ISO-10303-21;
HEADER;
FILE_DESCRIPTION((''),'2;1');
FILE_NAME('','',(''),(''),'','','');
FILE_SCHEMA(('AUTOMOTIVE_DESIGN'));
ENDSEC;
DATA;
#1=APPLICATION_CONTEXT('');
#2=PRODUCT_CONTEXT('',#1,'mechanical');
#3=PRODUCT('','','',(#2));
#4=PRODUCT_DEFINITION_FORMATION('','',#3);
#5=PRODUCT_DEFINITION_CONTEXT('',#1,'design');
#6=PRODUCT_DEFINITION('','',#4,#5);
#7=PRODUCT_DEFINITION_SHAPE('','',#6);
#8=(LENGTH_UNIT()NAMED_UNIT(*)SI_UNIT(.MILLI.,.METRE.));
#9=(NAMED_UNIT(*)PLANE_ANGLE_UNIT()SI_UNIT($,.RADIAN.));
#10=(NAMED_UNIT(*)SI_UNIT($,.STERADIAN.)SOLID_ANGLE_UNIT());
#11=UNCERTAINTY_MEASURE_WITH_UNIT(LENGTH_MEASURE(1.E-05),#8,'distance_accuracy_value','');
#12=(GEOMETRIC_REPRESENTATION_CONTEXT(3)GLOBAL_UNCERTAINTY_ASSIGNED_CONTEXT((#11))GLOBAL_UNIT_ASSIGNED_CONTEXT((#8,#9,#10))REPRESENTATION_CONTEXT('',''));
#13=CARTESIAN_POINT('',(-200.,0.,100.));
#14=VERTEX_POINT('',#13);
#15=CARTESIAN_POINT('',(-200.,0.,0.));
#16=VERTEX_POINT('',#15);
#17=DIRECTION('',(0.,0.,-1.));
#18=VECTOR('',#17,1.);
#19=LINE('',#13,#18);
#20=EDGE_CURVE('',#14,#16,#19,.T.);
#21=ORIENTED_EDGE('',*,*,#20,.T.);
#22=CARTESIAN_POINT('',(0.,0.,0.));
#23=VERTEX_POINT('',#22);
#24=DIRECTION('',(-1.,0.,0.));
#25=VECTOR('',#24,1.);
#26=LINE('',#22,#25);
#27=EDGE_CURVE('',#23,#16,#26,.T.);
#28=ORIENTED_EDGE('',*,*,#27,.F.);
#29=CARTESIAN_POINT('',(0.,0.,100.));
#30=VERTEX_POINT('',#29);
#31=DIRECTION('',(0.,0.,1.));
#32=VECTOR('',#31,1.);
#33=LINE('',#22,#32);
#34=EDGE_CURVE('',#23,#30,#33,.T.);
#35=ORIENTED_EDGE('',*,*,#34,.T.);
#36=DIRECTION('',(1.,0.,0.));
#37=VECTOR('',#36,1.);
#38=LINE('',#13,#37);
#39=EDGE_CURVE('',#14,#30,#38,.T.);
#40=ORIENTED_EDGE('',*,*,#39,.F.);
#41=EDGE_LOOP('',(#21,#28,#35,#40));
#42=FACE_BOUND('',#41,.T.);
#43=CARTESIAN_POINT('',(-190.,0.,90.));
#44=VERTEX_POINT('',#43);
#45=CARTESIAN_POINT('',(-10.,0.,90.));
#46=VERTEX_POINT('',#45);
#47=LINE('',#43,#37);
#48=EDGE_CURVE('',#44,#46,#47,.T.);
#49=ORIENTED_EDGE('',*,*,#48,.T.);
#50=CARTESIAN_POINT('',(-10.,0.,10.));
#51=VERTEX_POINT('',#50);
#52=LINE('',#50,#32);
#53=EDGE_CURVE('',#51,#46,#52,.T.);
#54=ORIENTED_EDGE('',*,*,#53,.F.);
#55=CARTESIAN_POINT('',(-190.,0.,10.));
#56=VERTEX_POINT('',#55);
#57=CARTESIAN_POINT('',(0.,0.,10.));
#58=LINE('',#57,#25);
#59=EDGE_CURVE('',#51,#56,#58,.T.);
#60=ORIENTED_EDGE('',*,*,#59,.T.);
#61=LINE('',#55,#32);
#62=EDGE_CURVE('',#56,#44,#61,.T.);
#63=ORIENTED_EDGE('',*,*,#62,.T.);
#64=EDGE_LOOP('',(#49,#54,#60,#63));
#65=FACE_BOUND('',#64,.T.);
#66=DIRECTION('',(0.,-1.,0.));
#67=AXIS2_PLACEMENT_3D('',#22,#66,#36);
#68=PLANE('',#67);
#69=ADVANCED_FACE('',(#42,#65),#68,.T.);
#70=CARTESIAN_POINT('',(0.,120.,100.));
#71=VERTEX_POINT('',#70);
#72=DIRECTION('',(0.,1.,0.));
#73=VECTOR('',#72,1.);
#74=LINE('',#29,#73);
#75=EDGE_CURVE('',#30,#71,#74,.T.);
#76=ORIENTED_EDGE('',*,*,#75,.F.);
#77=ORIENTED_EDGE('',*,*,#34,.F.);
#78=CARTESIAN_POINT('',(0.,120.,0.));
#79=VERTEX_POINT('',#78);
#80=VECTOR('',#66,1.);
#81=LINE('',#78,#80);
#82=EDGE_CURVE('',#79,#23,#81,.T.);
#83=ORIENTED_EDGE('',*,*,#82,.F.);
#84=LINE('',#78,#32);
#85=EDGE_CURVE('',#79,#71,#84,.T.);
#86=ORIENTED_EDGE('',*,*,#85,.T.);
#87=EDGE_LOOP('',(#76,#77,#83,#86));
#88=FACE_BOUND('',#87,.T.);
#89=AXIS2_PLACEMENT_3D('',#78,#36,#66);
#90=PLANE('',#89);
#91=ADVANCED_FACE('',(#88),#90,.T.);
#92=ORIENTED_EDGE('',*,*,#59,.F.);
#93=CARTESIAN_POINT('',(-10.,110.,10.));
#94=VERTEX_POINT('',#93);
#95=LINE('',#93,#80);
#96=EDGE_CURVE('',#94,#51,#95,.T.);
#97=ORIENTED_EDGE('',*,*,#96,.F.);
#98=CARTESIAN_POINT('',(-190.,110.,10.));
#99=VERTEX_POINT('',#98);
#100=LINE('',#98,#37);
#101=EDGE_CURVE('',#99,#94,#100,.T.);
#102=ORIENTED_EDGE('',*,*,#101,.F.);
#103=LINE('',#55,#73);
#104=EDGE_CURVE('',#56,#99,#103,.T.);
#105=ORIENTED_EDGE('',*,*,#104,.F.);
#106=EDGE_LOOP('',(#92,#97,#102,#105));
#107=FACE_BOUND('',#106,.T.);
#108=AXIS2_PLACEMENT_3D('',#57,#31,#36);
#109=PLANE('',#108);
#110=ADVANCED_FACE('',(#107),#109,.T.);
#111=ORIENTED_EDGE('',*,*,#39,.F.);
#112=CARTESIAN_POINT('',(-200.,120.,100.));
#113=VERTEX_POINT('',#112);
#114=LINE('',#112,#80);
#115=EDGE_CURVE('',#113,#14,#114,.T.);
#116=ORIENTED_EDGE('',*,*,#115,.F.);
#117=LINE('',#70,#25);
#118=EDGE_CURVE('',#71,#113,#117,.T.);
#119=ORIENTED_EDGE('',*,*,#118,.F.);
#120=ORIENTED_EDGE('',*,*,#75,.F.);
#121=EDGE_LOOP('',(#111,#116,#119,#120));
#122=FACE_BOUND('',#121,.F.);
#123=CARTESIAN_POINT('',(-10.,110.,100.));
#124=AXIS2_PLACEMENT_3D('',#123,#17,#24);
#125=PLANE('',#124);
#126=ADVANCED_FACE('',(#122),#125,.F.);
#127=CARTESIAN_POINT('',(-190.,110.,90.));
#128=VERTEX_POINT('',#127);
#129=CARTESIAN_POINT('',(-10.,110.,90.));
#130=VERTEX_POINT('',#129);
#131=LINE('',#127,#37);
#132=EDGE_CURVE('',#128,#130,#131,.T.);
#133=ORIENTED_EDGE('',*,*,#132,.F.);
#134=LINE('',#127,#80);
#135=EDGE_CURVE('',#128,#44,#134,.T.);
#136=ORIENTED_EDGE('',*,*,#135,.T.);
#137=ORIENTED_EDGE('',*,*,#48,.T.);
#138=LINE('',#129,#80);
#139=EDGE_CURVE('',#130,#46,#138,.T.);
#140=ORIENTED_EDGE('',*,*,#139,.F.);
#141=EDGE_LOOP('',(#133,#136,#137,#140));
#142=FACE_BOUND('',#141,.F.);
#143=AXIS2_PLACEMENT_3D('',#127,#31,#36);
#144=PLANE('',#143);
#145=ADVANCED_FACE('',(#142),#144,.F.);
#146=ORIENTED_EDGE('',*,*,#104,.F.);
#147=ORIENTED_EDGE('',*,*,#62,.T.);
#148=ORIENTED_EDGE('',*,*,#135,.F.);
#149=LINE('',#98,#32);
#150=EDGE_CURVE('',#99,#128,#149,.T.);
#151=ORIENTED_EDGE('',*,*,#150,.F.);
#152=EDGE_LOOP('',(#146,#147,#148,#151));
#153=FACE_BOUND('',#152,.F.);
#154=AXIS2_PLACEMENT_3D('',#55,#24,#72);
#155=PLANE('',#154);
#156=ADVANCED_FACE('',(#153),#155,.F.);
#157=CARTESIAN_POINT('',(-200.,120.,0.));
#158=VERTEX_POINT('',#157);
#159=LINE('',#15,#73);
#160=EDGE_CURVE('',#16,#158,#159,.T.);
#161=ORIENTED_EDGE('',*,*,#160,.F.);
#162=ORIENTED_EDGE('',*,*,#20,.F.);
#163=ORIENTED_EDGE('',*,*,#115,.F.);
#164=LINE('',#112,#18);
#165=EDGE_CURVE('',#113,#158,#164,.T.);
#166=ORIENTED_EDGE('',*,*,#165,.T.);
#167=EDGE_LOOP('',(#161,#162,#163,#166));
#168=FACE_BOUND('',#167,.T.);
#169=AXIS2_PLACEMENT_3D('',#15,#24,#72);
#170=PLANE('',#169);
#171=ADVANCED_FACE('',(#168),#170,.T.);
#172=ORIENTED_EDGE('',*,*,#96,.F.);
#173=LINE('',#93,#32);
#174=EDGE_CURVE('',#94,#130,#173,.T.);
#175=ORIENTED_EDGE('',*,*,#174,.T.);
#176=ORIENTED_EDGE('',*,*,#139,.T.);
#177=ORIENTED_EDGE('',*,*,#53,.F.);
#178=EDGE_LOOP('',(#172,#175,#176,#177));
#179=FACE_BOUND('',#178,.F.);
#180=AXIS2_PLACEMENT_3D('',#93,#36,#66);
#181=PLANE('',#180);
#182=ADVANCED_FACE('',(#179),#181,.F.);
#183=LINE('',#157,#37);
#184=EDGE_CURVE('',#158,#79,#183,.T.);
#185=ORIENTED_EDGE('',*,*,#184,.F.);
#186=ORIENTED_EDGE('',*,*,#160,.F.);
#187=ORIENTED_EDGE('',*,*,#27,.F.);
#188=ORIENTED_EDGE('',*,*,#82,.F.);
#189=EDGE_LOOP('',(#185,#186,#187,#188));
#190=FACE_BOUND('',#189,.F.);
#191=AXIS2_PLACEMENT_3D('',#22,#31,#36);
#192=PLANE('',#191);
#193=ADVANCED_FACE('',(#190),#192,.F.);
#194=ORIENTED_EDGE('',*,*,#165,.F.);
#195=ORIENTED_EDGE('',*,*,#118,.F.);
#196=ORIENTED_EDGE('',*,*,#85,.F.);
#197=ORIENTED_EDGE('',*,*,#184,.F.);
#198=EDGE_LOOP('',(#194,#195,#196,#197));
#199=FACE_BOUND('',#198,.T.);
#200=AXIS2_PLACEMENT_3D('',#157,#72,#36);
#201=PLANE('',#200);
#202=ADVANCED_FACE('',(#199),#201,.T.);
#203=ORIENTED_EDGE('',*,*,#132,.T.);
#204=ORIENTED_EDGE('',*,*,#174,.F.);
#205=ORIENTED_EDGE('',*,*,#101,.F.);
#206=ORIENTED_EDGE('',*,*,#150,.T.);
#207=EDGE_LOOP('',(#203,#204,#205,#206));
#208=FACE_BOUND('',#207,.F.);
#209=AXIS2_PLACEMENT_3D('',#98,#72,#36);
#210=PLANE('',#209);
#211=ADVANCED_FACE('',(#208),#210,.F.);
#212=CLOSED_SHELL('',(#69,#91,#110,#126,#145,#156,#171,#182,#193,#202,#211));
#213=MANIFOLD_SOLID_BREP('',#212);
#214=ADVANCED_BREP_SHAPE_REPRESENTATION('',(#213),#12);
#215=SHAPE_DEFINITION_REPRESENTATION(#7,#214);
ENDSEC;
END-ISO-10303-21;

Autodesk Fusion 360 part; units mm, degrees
sketch "スケッチ1" plane through (0, 0, 0) normal (0, 0, 1) x (1, 0, 0)
  line L0 (0, 0) -> (-200, 0)
  line L1 (-200, 0) -> (-200, 120)
  line L2 (-200, 120) -> (0, 120)
  line L3 (0, 120) -> (0, 0)
  dimension "d1" = 200
  dimension "d2" = 120
extrude "押し出し1" add sketch "スケッチ1" along normal blind 10
sketch "スケッチ2" plane through (0, 0, 10) normal (0, 0, 1) x (-1, 0, 0)
  line L0 (0, -120) -> (200, -120)
  line L1 (200, -120) -> (200, 0)
  line L2 (200, 0) -> (0, 0)
  line L3 (0, 0) -> (0, -120)
  line L4 (190, 0) -> (190, -110)
  line L5 (190, -110) -> (10, -110)
  line L6 (10, -110) -> (10, 0)
extrude "押し出し2" add sketch "スケッチ2" along normal blind 90 contours L0 L1 L2 L3 L4 L5 L6
sketch "スケッチ3" plane through (0, 110, 0) normal (0, -1, 0) x (1, 0, 0)
  line L0 (-190, 10) -> (-10, 10)
  line L1 (-10, 10) -> (-10, 100)
  line L2 (-10, 100) -> (-190, 100)
  line L3 (-190, 100) -> (-190, 10)
  line L4 (-190, 90) -> (-10, 90)
  line L5 (-10, 90) -> (-10, 100)
  line L6 (-10, 100) -> (-190, 100)
  line L7 (-190, 100) -> (-190, 90)
extrude "押し出し3" add sketch "スケッチ3" along normal blind 110 contours L1 L2 L3 L4 L5 L6 L7
